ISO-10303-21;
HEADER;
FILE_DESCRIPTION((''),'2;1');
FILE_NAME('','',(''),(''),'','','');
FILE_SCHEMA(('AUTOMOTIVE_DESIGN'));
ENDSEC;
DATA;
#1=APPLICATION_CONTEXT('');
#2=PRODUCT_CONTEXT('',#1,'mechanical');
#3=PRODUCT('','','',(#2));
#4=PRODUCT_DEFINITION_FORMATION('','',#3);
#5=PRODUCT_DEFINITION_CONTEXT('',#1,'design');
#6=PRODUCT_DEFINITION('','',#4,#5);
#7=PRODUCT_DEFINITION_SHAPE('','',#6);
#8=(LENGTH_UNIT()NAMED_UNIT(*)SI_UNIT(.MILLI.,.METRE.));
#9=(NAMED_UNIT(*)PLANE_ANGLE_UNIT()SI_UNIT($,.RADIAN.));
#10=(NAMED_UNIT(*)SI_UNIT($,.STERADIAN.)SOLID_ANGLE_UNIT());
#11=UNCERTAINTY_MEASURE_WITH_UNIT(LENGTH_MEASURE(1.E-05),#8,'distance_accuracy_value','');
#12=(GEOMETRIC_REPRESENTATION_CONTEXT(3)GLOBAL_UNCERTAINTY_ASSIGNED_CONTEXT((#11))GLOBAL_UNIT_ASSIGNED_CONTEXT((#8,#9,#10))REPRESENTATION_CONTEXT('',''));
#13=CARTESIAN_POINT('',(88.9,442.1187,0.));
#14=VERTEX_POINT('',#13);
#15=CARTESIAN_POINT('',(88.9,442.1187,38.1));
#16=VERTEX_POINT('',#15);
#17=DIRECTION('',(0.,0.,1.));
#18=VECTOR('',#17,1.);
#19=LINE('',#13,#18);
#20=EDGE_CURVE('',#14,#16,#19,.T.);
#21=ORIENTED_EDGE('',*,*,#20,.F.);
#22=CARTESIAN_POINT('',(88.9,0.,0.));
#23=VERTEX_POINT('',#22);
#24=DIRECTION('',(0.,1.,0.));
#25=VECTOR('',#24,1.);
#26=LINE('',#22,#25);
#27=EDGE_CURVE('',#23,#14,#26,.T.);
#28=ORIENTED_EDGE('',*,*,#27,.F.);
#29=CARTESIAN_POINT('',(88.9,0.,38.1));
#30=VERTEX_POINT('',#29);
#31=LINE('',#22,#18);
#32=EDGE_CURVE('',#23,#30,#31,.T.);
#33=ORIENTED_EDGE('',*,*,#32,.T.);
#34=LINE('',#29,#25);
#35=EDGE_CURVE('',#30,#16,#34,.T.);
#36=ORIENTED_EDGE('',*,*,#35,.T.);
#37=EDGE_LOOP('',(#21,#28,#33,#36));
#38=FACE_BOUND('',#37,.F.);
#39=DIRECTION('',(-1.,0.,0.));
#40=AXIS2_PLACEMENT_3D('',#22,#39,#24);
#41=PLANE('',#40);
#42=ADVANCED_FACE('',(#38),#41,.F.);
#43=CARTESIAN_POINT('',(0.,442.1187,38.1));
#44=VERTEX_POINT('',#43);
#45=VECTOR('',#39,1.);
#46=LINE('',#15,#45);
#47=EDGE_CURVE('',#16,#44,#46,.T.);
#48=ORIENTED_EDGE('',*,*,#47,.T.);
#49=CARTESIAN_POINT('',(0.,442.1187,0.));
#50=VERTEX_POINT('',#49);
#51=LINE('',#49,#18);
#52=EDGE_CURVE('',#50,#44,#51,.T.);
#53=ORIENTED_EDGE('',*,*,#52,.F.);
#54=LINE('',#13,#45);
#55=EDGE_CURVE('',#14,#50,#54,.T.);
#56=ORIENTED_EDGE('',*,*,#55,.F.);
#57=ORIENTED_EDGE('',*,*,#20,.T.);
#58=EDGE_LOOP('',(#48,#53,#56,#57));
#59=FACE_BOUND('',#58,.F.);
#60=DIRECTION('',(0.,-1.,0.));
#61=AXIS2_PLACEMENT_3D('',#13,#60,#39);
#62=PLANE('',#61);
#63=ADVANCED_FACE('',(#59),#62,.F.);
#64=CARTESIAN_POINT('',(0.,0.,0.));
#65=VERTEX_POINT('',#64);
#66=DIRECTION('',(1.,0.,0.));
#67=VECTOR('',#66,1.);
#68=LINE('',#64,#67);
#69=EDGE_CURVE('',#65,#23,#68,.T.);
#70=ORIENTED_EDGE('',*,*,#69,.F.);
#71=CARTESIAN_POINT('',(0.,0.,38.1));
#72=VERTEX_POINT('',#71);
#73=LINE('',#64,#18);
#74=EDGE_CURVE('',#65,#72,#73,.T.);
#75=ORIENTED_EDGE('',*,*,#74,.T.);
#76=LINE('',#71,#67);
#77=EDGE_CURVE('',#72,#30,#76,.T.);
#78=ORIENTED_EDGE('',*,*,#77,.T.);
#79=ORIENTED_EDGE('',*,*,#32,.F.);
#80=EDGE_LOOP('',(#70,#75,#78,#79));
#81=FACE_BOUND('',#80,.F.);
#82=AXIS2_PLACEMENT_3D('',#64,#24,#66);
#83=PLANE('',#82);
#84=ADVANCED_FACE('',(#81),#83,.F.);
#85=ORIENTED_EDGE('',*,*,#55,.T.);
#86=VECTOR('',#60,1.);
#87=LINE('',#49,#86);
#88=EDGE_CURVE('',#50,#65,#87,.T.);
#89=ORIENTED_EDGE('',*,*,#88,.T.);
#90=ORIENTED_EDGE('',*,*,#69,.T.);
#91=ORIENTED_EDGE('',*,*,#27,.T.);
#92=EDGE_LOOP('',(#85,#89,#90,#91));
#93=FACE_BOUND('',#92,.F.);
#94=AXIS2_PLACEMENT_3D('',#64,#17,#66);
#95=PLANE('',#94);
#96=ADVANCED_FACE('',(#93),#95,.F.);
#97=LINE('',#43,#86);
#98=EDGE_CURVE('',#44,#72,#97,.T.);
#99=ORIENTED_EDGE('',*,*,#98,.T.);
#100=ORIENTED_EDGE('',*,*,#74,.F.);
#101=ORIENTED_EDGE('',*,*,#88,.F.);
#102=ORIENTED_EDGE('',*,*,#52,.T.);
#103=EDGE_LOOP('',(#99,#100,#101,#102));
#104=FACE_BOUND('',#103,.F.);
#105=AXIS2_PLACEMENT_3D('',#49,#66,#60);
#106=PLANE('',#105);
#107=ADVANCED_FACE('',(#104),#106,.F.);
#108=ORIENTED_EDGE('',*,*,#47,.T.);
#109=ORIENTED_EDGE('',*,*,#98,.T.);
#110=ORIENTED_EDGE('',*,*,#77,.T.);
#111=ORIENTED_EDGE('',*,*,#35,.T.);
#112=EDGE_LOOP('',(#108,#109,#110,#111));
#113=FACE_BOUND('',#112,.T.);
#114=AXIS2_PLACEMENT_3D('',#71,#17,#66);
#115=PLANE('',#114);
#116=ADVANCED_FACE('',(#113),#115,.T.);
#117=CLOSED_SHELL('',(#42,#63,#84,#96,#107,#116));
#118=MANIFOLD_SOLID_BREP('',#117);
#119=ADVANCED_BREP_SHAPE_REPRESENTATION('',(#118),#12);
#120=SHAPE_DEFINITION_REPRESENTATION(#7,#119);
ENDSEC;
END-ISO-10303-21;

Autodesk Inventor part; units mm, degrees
ref_plane "YZ Plane" through (0, 0, 0) normal (1, 0, 0) x (0, 1, 0)
ref_plane "XZ Plane" through (0, 0, 0) normal (0, 1, 0) x (-1, 0, 0)
ref_plane "XY Plane" through (0, 0, 0) normal (0, 0, 1) x (1, 0, 0)
sketch "Sketch1" plane through (0, 0, 0) normal (0, 0, 1) x (1, 0, 0)
  line L0 (0, 0) -> (88.9, 0)
  line L1 (88.9, 0) -> (88.9, 442.1187)
  line L2 (88.9, 442.1187) -> (0, 442.1187)
  line L3 (0, 442.1187) -> (0, 0)
  dimension "d0" = 88.9
  dimension "d1" = 442.1187
extrude "Extrusion1" add sketch "Sketch1" along normal blind 38.1
properties part number "Stud_With_Height_10_Inches" material "Wood (Birch)"
